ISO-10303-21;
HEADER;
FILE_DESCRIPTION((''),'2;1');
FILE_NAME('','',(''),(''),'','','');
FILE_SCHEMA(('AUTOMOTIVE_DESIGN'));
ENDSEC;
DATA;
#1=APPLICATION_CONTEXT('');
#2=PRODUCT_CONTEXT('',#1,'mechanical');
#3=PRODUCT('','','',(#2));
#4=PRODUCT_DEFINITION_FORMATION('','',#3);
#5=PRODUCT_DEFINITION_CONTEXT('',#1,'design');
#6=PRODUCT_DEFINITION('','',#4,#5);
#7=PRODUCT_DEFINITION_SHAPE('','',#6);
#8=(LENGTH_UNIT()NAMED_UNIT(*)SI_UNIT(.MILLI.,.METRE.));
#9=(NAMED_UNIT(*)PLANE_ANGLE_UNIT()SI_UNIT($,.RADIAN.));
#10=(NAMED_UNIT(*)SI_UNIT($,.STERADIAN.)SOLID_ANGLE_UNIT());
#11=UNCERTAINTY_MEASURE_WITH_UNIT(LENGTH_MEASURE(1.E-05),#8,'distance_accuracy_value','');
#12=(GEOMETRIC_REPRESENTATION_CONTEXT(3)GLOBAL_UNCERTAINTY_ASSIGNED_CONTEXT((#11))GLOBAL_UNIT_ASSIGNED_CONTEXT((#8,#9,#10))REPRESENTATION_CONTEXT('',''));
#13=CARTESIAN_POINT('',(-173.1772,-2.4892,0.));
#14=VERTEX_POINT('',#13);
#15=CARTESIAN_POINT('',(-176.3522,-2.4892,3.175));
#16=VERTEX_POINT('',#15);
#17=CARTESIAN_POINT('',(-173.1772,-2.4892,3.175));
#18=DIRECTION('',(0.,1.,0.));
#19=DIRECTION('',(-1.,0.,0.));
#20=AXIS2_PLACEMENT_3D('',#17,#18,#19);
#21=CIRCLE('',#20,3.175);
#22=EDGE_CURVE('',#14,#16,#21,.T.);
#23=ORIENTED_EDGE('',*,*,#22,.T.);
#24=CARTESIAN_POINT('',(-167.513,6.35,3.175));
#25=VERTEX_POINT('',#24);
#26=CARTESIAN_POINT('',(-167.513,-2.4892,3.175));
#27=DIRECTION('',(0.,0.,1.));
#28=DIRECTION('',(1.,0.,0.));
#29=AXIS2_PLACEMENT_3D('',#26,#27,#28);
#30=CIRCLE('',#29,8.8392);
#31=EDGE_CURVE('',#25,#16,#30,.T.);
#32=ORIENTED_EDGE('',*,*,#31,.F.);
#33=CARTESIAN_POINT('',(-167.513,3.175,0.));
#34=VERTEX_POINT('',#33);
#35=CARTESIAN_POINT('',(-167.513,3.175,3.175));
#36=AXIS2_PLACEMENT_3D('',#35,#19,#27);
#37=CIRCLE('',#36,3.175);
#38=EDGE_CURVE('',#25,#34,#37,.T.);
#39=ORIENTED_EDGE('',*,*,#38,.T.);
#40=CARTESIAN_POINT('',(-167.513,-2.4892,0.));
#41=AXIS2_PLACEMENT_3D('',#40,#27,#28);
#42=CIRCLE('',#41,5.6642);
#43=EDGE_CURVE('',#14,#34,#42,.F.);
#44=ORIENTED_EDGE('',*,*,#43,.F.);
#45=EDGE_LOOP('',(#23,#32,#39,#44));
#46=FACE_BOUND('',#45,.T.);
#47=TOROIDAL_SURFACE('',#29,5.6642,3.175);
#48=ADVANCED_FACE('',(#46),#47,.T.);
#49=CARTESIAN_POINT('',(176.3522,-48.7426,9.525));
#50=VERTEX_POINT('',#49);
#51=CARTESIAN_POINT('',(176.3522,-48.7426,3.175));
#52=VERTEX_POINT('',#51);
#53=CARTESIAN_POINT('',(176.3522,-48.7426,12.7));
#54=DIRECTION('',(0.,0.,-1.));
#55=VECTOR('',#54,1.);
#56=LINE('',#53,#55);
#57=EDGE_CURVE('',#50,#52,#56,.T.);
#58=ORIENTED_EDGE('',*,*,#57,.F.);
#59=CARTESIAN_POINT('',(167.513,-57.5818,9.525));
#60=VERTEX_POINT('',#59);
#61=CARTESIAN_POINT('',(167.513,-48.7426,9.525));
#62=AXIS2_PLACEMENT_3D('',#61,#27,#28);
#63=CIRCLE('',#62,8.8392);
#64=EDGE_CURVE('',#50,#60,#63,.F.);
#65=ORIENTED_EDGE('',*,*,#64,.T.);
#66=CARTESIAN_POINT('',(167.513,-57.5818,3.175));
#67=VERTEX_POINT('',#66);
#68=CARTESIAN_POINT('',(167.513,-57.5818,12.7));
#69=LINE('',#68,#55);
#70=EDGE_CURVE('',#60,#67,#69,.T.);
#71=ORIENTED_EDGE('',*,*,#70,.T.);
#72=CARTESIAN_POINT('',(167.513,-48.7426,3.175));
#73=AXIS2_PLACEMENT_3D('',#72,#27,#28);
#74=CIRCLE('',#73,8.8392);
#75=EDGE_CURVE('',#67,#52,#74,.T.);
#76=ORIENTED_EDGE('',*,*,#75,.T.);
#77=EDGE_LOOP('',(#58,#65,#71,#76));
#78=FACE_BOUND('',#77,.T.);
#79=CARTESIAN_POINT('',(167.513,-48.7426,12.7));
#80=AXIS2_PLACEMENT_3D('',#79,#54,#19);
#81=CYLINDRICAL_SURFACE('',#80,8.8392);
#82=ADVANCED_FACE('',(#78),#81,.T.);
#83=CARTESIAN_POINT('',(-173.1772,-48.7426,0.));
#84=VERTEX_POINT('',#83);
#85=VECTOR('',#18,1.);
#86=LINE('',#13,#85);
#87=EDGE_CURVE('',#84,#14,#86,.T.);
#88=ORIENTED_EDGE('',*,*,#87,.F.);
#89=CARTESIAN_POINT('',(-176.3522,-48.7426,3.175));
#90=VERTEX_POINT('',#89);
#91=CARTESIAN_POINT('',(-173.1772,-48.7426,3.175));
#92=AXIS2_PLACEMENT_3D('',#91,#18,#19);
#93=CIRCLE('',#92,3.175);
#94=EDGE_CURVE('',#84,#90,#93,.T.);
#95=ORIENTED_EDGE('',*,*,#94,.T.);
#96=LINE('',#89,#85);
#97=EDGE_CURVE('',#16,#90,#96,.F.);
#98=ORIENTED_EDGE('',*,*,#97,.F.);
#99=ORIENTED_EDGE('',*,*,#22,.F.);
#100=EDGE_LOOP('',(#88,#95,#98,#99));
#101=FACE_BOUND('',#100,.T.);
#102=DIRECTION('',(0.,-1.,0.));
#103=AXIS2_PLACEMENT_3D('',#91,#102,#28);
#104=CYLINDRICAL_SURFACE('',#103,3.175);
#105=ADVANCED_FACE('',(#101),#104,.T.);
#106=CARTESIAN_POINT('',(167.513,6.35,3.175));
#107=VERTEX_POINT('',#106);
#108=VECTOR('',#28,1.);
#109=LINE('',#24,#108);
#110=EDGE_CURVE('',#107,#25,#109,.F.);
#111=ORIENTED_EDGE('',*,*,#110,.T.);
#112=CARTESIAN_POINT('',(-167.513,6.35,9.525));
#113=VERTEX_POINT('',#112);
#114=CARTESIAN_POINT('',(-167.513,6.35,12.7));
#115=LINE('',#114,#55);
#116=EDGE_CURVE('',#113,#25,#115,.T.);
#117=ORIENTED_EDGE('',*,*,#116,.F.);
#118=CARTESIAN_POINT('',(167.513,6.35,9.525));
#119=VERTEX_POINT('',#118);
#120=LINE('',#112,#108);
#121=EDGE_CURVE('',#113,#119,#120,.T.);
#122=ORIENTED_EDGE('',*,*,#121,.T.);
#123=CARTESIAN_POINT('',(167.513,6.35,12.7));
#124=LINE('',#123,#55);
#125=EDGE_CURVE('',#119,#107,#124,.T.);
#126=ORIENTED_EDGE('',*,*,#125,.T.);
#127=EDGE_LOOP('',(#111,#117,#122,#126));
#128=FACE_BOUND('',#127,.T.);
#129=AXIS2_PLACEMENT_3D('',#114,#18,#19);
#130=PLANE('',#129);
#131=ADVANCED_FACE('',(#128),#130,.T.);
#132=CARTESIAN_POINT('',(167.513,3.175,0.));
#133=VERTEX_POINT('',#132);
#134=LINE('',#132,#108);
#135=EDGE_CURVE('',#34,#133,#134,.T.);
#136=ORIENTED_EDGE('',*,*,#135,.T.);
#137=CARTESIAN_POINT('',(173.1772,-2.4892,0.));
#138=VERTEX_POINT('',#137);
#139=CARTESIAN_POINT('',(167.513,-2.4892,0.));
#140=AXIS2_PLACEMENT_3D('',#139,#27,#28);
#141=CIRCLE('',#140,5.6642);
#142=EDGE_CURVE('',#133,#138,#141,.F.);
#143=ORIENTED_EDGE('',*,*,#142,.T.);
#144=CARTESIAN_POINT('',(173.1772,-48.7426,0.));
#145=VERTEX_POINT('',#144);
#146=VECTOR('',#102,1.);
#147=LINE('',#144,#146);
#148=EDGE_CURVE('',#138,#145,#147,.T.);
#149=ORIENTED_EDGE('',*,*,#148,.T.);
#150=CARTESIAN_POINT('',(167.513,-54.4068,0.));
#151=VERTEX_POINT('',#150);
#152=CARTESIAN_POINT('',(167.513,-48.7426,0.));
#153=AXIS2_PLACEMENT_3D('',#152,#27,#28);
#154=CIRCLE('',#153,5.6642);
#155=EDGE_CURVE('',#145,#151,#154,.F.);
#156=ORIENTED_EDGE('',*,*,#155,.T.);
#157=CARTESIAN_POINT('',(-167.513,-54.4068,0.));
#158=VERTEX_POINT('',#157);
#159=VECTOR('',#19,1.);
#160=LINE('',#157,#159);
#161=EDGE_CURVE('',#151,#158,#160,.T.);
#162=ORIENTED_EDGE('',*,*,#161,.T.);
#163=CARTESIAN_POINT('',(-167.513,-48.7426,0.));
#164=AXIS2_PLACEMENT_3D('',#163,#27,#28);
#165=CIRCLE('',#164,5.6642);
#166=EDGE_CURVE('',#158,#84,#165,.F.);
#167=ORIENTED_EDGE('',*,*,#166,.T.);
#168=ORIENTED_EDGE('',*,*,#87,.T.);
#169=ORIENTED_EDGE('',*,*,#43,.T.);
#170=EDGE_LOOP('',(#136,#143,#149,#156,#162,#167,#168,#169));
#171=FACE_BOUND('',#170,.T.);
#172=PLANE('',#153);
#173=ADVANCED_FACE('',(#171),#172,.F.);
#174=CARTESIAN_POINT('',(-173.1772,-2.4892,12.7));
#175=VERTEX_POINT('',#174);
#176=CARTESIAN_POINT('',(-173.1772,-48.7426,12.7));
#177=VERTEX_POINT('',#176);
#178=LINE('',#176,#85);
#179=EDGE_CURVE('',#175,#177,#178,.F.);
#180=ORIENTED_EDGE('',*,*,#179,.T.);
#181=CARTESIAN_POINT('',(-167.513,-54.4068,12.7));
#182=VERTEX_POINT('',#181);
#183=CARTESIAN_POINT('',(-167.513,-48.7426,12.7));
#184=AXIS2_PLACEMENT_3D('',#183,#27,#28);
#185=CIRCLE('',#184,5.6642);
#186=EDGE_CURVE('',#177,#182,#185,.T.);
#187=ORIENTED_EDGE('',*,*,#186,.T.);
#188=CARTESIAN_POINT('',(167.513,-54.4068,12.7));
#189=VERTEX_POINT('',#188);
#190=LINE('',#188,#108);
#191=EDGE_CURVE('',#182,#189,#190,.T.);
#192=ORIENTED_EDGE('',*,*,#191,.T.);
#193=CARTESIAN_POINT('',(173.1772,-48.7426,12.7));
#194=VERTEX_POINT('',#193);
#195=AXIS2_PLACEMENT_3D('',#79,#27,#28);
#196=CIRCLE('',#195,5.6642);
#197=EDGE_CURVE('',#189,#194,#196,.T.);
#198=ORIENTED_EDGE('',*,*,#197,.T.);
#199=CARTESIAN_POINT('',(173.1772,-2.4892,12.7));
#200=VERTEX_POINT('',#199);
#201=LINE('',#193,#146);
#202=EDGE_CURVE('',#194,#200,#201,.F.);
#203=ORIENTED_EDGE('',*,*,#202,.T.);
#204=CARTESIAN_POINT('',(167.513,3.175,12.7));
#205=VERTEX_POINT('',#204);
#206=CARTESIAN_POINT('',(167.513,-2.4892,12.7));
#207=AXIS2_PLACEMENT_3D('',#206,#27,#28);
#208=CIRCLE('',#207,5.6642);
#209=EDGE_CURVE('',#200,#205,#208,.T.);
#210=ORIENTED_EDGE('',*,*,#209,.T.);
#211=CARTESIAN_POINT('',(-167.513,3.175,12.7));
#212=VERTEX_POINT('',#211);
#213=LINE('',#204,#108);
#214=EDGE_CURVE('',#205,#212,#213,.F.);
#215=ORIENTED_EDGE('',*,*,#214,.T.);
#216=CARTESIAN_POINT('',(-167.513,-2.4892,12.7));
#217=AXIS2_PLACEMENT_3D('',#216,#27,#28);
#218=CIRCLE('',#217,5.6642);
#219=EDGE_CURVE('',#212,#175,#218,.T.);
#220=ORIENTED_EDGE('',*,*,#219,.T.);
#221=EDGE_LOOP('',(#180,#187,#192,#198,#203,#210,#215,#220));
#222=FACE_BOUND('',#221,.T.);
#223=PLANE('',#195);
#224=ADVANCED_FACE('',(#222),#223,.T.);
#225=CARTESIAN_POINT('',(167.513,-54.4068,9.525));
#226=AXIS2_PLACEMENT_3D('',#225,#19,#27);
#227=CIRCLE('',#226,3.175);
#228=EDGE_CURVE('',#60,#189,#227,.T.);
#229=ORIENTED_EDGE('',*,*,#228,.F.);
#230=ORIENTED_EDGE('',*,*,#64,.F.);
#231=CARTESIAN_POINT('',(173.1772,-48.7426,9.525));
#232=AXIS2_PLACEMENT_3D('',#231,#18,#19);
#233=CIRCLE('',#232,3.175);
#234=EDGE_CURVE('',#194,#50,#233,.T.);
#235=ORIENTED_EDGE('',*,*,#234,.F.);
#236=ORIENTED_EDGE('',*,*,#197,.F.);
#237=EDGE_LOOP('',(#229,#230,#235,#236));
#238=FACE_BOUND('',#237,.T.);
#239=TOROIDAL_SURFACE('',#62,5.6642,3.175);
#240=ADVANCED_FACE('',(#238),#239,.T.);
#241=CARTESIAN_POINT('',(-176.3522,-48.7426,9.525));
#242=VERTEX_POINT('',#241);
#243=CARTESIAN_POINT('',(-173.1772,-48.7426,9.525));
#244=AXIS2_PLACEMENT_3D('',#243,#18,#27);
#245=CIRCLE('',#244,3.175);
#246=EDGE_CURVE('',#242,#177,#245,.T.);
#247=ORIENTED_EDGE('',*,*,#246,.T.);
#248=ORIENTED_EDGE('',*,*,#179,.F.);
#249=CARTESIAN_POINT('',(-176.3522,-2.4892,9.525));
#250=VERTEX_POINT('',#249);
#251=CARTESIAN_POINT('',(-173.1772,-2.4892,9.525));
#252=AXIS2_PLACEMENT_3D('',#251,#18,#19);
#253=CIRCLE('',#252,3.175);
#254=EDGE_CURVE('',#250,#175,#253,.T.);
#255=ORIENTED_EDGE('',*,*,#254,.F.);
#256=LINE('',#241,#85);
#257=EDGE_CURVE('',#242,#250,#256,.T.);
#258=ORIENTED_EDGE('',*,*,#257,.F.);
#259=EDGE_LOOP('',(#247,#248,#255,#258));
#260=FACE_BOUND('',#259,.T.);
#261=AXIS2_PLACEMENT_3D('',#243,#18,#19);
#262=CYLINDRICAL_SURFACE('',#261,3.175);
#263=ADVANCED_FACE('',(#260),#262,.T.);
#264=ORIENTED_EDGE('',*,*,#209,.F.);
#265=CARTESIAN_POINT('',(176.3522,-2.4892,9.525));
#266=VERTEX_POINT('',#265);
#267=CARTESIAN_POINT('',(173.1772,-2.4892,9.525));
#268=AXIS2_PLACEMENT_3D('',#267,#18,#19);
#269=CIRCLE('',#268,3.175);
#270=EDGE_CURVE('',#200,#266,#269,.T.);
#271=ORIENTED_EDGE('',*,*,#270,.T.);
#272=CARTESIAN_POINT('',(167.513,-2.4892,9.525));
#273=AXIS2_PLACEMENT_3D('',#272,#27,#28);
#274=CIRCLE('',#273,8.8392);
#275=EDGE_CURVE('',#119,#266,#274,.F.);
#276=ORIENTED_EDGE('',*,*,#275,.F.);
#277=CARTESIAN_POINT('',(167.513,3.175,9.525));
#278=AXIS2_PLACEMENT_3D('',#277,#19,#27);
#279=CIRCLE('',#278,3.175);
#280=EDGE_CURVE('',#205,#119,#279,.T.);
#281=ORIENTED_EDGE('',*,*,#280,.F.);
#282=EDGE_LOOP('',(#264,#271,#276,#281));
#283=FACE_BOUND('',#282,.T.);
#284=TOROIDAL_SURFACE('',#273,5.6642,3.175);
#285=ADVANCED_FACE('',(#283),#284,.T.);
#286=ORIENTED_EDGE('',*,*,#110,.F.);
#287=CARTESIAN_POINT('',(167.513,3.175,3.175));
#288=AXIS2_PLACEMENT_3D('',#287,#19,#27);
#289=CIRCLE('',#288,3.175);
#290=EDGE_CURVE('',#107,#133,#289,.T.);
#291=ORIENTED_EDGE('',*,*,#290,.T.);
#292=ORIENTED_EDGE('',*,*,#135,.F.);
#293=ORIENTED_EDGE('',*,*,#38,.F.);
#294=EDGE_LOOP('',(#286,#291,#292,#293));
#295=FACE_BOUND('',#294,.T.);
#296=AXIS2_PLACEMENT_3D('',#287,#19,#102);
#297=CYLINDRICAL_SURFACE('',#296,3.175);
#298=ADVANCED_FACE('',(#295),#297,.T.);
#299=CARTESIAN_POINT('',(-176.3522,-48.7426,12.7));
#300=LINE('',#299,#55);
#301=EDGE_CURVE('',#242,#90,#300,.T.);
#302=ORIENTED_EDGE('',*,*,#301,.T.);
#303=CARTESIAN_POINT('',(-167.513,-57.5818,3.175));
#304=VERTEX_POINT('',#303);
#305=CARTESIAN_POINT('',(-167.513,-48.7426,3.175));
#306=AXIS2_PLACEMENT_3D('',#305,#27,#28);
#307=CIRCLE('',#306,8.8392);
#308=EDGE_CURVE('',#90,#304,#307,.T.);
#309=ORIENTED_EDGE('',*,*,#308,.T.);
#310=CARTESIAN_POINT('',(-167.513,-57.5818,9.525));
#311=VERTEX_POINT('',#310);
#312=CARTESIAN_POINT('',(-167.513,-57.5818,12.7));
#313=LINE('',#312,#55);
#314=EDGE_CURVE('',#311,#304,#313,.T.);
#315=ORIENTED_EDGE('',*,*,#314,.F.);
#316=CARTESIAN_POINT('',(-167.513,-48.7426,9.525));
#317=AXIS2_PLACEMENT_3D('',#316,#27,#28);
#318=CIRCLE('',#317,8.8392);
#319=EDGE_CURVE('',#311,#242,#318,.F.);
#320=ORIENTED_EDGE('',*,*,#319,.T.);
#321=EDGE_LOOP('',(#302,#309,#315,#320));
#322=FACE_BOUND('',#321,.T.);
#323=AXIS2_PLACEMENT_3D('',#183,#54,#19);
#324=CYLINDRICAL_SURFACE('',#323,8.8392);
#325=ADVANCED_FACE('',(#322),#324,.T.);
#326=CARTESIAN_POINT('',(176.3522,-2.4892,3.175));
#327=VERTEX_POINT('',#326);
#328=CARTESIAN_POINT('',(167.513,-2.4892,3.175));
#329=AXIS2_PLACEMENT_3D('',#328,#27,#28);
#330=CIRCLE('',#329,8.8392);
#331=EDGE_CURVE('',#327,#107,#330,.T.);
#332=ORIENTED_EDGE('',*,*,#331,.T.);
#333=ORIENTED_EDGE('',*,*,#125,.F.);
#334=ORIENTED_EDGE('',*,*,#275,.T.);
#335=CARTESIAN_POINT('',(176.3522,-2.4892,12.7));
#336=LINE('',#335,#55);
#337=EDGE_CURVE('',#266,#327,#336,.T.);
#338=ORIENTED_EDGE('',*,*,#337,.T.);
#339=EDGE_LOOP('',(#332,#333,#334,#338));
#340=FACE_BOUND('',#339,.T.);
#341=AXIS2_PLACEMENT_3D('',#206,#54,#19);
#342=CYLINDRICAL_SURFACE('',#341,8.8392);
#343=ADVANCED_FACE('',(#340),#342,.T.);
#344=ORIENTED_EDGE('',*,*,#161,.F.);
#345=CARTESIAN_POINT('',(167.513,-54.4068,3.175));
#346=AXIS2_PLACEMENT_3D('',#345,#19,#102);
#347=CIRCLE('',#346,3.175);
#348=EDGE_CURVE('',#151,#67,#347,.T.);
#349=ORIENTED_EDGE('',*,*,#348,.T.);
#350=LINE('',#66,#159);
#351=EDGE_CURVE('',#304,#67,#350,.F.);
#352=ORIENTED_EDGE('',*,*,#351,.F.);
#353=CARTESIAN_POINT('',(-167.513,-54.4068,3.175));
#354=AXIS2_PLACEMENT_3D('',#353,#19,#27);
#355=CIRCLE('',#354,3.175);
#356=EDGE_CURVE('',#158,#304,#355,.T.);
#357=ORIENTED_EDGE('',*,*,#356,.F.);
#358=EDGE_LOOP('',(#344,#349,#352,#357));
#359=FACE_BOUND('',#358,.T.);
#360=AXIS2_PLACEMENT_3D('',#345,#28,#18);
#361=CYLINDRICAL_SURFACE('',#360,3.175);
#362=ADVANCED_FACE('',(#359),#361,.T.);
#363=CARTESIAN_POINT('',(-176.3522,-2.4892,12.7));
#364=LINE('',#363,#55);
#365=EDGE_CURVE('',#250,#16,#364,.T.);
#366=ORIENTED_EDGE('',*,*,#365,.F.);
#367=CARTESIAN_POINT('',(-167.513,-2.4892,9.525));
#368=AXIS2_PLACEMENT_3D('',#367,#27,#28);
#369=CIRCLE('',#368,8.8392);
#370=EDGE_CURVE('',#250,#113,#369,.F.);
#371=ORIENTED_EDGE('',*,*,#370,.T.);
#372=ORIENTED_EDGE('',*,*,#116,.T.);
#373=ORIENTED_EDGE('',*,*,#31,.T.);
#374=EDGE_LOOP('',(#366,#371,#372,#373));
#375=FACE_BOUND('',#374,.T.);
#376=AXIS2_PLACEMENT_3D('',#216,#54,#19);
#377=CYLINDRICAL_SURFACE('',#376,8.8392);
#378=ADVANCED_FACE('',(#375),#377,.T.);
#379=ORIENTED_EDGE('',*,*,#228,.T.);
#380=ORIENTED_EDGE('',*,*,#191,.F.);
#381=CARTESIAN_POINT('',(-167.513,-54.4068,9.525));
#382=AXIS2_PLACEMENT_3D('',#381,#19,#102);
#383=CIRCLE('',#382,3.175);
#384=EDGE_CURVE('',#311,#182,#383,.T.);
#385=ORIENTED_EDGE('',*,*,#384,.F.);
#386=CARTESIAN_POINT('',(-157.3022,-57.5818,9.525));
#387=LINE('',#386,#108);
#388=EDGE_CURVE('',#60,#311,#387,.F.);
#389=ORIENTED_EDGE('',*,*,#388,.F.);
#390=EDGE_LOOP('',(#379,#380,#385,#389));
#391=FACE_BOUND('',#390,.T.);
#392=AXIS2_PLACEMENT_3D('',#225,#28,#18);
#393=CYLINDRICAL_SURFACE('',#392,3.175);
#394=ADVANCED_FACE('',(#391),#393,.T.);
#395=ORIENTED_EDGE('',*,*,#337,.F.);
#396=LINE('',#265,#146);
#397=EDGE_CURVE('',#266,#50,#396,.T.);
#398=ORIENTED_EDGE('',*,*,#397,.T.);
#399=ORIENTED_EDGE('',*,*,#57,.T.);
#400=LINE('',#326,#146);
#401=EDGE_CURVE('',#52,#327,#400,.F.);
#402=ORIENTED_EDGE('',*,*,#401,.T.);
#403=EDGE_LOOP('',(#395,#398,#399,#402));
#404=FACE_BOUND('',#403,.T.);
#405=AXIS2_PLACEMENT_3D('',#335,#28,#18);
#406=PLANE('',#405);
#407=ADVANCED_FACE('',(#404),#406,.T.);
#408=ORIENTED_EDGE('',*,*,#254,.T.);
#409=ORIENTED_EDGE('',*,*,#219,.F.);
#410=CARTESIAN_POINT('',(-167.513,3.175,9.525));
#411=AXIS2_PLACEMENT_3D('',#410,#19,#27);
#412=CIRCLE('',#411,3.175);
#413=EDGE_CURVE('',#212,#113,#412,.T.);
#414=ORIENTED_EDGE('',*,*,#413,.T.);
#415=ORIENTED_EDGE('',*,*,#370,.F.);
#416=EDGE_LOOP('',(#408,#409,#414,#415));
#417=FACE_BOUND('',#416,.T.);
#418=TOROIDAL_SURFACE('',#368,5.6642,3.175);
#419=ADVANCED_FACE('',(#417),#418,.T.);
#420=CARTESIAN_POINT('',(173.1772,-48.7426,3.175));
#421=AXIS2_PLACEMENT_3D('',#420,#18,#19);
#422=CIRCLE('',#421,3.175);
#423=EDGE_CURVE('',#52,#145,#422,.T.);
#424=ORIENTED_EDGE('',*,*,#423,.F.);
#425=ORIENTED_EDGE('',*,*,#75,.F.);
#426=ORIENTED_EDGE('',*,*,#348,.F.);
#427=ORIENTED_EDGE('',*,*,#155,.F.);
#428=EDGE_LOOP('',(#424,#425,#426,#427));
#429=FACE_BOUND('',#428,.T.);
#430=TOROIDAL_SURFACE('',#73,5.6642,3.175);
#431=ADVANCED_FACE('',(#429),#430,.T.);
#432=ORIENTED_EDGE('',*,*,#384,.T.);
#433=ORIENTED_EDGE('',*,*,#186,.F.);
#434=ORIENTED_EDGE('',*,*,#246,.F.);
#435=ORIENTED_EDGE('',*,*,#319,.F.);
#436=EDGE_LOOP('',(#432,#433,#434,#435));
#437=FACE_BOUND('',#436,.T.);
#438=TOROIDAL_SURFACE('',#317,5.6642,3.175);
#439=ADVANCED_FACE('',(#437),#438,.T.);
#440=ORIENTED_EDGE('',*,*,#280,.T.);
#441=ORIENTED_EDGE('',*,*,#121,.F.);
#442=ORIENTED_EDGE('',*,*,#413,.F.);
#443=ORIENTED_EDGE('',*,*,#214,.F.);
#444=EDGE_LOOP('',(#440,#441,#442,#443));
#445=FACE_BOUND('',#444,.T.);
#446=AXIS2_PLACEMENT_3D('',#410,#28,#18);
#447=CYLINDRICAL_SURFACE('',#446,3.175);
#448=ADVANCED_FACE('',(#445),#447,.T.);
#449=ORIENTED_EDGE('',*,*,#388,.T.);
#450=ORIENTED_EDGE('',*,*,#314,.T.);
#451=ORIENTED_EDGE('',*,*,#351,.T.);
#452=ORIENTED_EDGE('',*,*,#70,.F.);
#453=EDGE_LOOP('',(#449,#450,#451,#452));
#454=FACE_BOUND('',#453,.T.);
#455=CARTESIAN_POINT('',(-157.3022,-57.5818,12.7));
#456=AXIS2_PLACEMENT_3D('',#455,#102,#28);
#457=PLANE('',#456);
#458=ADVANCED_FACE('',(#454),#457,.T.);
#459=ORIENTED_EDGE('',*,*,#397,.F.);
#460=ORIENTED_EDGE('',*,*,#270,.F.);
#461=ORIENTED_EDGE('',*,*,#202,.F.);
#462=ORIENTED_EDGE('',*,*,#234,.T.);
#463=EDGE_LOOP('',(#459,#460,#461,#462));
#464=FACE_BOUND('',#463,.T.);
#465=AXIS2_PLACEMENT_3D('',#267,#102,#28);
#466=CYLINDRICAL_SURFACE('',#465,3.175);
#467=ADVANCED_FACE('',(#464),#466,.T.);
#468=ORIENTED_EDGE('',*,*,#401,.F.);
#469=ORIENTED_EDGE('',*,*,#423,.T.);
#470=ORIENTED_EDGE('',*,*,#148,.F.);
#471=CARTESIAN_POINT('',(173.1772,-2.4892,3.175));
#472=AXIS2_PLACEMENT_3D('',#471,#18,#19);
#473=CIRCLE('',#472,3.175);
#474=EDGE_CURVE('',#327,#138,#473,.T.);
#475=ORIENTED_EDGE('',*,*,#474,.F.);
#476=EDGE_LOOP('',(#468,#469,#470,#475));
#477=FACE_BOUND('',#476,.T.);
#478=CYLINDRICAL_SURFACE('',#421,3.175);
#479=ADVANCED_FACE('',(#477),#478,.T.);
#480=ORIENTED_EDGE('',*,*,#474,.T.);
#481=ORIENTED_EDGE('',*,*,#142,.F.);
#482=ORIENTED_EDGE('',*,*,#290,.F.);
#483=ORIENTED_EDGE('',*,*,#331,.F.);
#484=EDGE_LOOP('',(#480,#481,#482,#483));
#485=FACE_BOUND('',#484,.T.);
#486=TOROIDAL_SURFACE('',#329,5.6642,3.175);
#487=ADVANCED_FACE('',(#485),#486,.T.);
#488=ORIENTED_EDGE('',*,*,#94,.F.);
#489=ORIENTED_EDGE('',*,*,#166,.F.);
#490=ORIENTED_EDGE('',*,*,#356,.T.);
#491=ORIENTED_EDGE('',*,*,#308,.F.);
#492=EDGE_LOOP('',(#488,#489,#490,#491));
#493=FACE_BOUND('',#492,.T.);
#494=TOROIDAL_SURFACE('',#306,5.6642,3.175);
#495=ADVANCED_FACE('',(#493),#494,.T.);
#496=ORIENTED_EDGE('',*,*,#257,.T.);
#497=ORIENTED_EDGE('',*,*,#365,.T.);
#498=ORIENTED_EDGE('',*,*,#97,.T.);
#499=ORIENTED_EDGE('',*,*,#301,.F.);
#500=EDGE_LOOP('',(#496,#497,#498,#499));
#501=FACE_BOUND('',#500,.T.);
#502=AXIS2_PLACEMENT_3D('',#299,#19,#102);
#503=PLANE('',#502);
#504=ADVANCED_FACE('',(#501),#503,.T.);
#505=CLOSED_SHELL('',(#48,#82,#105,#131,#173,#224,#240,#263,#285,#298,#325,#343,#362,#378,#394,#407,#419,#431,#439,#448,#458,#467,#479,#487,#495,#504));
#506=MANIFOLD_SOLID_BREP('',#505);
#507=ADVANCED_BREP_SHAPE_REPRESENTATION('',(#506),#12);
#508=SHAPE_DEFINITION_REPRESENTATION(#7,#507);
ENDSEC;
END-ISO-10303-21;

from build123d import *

# Parameters (mm, degrees)
BOSS_EXTRUDE1_DEPTH = 12.7
FILLET1_R           = 3.175
FILLET2_R           = 3.175


with BuildPart() as part:
    # Sketch1 → Boss-Extrude1 (new body)
    with BuildSketch(Plane.XY):
        with BuildLine():
            Line((-157.3022, -57.5818), (157.3022, -57.5818))
            Line((157.3022, -57.5818), (167.513, -57.5818))
            ThreePointArc((167.513, -57.5818), (173.76325826, -54.99285826), (176.3522, -48.7426))
            Line((176.3522, -48.7426), (176.3522, -2.4892))
            ThreePointArc((176.3522, -2.4892), (173.76325826, 3.76105826), (167.513, 6.35))
            Line((167.513, 6.35), (-167.513, 6.35))
            ThreePointArc((-167.513, 6.35), (-173.76325826, 3.76105826), (-176.3522, -2.4892))
            Line((-176.3522, -2.4892), (-176.3522, -48.7426))
            ThreePointArc((-176.3522, -48.7426), (-173.76325826, -54.99285826), (-167.513, -57.5818))
            Line((-167.513, -57.5818), (-157.3022, -57.5818))
        make_face()
    extrude(amount=BOSS_EXTRUDE1_DEPTH)

    # Fillet1
    fillet1_edges = [part.edges().sort_by_distance(p)[0] for p in [
        (173.76325826, -54.99285826, 12.7),
        (176.3522, -25.6159, 12.7),
        (173.76325826, 3.76105826, 12.7),
        (0, 6.35, 12.7),
        (-173.76325826, 3.76105826, 12.7),
        (-176.3522, -25.6159, 12.7),
        (-173.76325826, -54.99285826, 12.7),
        (0, -57.5818, 12.7),
    ]]
    fillet(fillet1_edges, radius=FILLET1_R)

    # Fillet2
    fillet2_edges = [part.edges().sort_by_distance(p)[0] for p in [
        (-176.3522, -25.6159, 0),
        (-173.76325826, 3.76105826, 0),
        (0, 6.35, 0),
        (173.76325826, 3.76105826, 0),
        (176.3522, -25.6159, 0),
        (173.76325826, -54.99285826, 0),
        (0, -57.5818, 0),
        (-173.76325826, -54.99285826, 0),
    ]]
    fillet(fillet2_edges, radius=FILLET2_R)


solid = part.part
